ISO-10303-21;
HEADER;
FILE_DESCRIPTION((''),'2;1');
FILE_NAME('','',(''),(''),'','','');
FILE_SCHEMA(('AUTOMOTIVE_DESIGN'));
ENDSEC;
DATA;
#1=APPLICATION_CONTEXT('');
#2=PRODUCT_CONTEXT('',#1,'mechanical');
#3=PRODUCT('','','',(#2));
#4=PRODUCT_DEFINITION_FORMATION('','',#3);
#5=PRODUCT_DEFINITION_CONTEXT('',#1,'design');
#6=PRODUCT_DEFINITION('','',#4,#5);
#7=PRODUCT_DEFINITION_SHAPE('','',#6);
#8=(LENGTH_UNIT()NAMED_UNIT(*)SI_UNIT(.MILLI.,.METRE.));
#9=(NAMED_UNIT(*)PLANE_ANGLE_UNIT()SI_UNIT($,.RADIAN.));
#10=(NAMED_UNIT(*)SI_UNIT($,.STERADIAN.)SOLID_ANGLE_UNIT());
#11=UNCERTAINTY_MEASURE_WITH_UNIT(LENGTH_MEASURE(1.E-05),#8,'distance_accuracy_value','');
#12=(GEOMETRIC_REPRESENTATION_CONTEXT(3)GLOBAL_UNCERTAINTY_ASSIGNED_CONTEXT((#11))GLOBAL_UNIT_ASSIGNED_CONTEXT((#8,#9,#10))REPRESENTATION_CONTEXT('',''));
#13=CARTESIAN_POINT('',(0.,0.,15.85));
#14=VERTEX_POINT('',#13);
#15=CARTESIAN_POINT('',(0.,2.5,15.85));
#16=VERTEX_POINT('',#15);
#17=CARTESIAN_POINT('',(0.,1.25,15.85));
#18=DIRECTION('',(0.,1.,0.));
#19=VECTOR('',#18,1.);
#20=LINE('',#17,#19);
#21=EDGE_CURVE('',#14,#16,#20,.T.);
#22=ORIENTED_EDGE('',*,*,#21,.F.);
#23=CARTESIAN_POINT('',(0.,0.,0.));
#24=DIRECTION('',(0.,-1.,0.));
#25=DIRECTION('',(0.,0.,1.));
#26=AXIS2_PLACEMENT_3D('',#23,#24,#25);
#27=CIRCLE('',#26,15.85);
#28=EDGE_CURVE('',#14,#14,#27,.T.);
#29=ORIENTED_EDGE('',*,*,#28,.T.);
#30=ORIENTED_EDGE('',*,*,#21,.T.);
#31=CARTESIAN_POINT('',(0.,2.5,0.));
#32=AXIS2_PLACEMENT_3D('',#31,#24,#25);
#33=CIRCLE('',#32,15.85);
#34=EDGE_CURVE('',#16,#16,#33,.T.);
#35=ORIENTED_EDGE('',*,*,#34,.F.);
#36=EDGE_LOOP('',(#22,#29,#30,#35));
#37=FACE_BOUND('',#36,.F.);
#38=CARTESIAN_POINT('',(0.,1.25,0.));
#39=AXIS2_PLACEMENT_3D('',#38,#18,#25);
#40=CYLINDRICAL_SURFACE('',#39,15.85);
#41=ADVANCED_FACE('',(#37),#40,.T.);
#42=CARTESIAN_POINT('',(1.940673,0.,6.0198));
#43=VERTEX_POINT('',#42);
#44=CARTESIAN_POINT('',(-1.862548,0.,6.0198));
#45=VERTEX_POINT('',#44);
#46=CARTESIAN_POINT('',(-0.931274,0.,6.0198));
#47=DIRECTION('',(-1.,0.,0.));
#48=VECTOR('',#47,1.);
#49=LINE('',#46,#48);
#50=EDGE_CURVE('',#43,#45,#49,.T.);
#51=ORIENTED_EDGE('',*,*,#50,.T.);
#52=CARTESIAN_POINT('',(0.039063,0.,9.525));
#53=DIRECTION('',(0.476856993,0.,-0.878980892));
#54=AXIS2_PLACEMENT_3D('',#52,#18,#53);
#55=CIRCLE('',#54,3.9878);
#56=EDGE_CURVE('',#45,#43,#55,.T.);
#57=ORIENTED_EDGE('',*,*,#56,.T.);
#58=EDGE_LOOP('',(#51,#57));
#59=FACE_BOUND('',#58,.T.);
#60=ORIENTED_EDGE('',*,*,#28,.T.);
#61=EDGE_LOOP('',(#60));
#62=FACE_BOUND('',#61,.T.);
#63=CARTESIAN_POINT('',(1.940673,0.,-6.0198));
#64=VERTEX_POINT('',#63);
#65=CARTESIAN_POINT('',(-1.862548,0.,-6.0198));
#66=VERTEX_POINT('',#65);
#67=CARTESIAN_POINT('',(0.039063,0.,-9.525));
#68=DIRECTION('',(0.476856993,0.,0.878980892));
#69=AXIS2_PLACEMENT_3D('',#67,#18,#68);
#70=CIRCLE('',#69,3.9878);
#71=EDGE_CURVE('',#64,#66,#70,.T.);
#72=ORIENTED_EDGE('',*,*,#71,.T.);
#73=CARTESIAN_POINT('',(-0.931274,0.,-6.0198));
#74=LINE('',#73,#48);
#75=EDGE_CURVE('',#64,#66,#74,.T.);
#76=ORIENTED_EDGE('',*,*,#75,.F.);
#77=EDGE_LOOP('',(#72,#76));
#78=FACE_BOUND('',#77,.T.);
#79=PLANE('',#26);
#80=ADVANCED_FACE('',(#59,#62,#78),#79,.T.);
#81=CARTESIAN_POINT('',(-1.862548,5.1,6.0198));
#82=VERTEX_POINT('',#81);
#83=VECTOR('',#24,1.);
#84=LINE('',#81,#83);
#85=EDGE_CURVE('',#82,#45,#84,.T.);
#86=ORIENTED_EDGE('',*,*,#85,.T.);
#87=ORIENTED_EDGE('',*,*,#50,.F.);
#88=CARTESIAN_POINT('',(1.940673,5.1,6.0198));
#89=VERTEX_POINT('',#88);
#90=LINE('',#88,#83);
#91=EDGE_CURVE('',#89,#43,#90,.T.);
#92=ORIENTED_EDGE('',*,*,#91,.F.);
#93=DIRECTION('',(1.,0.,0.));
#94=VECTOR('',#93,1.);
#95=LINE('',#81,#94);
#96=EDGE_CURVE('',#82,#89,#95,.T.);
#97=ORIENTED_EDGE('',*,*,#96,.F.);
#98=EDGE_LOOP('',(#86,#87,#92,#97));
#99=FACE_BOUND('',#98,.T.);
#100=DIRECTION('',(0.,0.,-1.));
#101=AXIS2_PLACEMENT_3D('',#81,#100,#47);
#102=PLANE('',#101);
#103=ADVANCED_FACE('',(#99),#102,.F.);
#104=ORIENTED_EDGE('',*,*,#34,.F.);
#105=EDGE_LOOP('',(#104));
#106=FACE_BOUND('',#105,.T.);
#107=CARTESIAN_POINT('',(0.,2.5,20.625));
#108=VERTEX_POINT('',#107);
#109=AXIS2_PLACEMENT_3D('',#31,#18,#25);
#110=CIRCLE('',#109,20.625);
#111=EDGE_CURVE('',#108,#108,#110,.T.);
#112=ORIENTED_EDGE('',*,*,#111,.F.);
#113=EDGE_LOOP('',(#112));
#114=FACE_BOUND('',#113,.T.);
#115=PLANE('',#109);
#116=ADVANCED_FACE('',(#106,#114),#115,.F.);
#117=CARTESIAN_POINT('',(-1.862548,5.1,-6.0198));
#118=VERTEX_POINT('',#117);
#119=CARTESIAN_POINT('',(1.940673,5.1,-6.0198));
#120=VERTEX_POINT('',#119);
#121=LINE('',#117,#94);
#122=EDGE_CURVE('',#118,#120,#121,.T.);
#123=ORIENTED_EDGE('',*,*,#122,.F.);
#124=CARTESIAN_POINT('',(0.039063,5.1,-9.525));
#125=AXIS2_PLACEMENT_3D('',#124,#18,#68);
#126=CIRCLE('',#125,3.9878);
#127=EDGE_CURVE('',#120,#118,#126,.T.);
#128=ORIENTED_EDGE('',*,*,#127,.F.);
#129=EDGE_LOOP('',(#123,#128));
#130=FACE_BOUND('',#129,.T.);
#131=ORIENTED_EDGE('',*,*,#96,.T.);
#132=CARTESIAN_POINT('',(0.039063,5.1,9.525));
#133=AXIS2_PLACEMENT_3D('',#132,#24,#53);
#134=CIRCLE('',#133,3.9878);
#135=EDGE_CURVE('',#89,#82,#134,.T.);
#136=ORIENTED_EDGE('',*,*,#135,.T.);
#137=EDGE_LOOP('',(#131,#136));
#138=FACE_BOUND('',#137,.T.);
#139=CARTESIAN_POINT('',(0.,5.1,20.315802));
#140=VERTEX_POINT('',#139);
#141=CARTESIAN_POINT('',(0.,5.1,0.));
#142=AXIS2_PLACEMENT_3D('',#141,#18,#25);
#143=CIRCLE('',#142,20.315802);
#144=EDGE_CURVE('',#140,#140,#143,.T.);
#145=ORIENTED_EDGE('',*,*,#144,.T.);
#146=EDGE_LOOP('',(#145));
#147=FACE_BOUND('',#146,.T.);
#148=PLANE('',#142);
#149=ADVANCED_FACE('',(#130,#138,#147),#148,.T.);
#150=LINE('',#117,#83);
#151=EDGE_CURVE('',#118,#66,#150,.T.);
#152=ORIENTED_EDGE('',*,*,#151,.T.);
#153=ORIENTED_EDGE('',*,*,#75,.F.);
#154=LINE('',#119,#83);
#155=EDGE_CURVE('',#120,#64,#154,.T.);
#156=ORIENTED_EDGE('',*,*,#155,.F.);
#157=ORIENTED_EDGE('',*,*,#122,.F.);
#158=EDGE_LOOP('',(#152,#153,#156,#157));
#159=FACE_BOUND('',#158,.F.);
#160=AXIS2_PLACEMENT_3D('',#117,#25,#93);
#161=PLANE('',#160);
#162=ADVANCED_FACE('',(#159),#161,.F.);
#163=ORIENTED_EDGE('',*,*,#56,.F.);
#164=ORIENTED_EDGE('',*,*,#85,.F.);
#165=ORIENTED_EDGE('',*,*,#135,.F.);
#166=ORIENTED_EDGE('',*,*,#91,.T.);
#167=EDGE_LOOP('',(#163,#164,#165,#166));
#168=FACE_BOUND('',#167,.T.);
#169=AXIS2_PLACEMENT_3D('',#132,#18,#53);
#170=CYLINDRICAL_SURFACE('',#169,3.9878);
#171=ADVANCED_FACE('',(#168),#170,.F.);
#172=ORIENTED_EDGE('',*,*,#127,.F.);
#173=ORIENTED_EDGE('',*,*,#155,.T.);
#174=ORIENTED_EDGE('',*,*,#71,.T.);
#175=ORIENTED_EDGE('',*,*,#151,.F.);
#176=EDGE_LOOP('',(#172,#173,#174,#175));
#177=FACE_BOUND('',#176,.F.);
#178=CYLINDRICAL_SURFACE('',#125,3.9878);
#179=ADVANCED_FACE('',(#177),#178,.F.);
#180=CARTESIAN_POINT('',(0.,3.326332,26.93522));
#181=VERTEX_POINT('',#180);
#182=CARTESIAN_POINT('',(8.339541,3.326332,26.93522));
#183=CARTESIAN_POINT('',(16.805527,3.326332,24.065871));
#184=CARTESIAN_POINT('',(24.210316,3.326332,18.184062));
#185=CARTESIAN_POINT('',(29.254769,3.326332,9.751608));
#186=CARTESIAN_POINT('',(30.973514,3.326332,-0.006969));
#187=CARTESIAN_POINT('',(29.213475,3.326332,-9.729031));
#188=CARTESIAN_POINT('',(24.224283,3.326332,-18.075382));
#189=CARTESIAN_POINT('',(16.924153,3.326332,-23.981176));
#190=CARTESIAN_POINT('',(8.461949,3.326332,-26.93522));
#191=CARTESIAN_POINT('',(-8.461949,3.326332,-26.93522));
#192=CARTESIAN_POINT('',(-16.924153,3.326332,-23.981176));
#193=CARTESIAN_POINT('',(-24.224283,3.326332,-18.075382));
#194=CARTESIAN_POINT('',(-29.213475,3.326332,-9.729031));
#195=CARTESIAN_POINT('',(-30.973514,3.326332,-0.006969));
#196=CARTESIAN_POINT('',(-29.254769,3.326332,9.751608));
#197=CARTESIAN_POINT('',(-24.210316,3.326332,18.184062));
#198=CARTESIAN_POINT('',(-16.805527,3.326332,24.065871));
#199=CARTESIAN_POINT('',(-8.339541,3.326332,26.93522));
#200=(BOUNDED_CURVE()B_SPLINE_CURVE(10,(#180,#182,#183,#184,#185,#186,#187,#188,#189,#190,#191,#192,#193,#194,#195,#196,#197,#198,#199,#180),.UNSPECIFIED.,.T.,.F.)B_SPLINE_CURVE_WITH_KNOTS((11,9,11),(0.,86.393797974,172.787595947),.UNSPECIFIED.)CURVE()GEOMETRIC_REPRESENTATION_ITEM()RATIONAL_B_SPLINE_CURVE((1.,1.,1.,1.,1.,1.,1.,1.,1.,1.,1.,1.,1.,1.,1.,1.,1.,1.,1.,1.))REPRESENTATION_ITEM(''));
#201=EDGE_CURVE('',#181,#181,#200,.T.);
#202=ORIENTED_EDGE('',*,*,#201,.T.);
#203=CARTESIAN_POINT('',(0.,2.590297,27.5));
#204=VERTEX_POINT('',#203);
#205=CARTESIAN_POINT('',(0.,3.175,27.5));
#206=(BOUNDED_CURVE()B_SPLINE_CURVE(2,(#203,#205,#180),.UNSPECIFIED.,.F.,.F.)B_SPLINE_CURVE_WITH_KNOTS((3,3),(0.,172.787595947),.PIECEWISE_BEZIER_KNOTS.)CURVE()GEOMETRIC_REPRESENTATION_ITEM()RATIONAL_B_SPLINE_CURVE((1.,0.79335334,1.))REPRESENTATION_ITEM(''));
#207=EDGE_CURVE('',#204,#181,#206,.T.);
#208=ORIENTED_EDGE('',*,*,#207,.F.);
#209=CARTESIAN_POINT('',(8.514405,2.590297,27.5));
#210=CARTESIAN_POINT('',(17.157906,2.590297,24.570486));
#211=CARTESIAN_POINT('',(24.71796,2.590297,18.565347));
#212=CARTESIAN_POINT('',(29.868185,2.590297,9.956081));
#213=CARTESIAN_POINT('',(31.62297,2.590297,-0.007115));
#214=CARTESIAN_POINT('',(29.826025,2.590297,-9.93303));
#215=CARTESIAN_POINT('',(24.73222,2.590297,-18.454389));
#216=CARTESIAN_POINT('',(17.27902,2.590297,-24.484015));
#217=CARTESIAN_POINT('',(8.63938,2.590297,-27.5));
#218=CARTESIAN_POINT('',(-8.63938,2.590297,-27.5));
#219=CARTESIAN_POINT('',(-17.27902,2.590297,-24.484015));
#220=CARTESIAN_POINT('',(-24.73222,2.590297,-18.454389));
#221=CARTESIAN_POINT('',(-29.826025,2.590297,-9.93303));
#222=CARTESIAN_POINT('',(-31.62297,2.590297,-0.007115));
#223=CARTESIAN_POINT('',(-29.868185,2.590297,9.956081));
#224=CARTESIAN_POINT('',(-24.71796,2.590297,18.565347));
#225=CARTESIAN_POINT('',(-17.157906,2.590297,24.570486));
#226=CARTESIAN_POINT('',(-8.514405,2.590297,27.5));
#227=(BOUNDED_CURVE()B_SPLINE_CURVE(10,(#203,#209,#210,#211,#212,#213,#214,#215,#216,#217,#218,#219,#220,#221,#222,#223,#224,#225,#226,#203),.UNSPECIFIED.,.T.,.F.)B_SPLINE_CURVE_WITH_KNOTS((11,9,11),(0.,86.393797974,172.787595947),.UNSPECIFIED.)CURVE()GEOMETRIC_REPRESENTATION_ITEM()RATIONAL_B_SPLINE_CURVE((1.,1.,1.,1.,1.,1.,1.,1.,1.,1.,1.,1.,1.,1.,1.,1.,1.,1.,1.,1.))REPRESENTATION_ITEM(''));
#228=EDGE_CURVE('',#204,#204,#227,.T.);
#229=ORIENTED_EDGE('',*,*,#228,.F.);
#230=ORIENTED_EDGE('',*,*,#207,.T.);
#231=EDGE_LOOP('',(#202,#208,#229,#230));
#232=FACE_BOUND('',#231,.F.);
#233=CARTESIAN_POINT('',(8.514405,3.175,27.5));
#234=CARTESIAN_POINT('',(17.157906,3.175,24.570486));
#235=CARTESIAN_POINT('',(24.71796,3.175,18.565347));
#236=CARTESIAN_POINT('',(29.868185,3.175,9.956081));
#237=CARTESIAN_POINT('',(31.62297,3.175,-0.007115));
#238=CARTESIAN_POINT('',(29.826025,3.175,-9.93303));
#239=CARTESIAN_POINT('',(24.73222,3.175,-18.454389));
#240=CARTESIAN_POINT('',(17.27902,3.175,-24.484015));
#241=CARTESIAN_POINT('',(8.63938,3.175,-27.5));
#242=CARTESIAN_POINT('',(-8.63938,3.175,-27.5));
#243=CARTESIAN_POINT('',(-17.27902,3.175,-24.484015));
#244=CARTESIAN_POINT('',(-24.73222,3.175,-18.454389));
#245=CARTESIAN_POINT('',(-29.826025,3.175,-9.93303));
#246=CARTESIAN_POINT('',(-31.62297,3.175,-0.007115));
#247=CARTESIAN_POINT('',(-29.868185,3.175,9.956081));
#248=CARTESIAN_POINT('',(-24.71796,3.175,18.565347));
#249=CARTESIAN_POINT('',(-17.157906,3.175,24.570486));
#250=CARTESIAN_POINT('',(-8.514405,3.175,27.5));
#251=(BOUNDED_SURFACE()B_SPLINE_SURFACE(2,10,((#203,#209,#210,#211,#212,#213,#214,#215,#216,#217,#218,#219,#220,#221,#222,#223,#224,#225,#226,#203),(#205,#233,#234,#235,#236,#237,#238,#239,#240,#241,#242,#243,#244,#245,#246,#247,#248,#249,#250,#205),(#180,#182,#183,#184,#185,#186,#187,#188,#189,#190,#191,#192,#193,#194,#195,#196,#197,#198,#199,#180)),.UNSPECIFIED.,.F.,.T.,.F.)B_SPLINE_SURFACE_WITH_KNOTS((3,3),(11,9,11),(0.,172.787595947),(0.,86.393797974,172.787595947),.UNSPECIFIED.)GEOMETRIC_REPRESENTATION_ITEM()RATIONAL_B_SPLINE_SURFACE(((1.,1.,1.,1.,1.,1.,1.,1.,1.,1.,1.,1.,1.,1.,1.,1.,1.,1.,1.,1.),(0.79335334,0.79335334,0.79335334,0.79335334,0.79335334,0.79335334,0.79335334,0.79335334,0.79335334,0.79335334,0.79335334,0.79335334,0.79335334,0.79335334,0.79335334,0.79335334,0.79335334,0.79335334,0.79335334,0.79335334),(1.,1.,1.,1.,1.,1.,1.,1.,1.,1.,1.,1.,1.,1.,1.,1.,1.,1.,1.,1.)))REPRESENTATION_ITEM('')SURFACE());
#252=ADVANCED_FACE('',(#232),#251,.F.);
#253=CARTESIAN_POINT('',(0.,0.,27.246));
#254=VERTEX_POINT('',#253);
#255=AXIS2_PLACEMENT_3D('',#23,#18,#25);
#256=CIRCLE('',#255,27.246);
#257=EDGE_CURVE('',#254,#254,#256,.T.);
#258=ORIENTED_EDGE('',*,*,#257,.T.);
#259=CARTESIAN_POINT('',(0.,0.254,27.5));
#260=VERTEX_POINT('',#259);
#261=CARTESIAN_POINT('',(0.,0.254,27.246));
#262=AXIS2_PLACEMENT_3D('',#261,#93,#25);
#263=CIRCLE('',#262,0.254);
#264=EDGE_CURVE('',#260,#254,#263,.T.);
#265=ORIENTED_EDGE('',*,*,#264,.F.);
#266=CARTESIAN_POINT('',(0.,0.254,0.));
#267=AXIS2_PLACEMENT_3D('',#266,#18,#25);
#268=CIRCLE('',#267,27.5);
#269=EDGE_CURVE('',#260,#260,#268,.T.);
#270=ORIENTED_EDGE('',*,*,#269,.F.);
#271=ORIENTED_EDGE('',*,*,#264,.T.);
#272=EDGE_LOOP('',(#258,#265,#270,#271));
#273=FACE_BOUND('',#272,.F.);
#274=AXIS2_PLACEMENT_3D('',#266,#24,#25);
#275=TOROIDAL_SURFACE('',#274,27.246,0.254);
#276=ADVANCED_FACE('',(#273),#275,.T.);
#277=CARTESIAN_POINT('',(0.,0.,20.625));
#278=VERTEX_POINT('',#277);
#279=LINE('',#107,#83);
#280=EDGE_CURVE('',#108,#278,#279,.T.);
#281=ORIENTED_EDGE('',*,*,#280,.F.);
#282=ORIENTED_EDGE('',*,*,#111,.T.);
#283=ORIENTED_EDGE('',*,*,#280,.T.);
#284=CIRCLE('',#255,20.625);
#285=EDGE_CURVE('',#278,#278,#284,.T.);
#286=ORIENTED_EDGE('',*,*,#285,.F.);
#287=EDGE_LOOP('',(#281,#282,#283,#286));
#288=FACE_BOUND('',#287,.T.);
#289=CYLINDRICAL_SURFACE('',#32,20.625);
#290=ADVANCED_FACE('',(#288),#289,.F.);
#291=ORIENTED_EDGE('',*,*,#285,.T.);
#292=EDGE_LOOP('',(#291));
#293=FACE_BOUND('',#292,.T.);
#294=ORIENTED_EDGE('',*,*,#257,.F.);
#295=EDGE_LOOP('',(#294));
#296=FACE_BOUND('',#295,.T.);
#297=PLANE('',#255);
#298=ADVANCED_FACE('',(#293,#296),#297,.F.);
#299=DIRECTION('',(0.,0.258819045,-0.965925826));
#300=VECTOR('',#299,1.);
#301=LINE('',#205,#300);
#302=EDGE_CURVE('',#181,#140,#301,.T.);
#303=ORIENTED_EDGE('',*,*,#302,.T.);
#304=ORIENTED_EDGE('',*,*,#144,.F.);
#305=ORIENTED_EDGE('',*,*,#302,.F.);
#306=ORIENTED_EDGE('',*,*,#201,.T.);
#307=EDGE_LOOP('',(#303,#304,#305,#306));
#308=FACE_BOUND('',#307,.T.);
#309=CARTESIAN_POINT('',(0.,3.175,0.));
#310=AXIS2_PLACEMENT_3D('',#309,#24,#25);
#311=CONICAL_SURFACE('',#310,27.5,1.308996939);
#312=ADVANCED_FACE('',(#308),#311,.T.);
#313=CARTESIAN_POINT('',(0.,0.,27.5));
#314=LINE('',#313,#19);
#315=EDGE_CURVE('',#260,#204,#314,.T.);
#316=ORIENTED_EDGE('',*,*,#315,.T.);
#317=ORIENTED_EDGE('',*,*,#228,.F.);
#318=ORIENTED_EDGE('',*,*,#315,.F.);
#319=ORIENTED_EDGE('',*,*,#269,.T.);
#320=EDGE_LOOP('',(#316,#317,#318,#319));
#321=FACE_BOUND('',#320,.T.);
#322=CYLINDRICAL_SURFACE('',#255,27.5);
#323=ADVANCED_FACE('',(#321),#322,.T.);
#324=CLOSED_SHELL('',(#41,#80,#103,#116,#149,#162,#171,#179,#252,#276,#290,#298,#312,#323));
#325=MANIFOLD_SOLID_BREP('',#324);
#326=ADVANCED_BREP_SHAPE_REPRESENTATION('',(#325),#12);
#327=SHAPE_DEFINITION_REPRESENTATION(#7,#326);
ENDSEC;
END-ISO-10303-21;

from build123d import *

# Parameters (mm, degrees)
SKETCH2_W          = 15.85
SKETCH2_H          = 2.5
FILLET1_R          = 0.762
FILLET2_R          = 0.254
CUT_EXTRUDE1_DEPTH = 6.1


with BuildPart() as part:
    # Sketch1 → Flange (revolve)
    with BuildSketch(Plane(origin=(0, 0, 0), x_dir=(0, 0, -1), z_dir=(1, 0, 0))):
        Polygon((-27.5, 0), (-27.5, 3.175), (-20.315802195, 5.1), (0, 5.1), (0, 2.5), (-20.625, 2.5), (-20.625, 0), align=None)
    revolve(axis=Axis((0, 0, 0), (0, 1, 0)))

    # Sketch2 → Blank Insert (revolve)
    with BuildSketch(Plane(origin=(0, 0, 0), x_dir=(0, 0, -1), z_dir=(1, 0, 0))):
        with Locations((-7.925, 1.25)):
            Rectangle(SKETCH2_W, SKETCH2_H)
    revolve(axis=Axis((0, 0, 0), (0, -1, 0)))

    # Fillet1
    fillet1_edges = [part.edges().sort_by_distance(p)[0] for p in [
        (0, 3.175, -27.5),
    ]]
    fillet(fillet1_edges, radius=FILLET1_R)

    # Fillet2
    fillet2_edges = [part.edges().sort_by_distance(p)[0] for p in [
        (0, 0, -27.5),
    ]]
    fillet(fillet2_edges, radius=FILLET2_R)

    # Sketch3 → Cut-Extrude1 (cut, through all)
    with BuildSketch(Plane(origin=(0, 5.1, 0), x_dir=(1, 0, 0), z_dir=(0, 1, 0))):
        with BuildLine():
            Line((-1.862547623, 6.0198), (1.940673012, 6.0198))
            ThreePointArc((1.940673012, 6.0198), (0.039062695, 13.5128), (-1.862547623, 6.0198))
        make_face()
    cut_extrude1 = extrude(amount=-CUT_EXTRUDE1_DEPTH, mode=Mode.SUBTRACT)

    # Mirror1: Cut-Extrude1 across plane
    add(cut_extrude1.mirror(Plane.XY), mode=Mode.SUBTRACT)


solid = part.part
